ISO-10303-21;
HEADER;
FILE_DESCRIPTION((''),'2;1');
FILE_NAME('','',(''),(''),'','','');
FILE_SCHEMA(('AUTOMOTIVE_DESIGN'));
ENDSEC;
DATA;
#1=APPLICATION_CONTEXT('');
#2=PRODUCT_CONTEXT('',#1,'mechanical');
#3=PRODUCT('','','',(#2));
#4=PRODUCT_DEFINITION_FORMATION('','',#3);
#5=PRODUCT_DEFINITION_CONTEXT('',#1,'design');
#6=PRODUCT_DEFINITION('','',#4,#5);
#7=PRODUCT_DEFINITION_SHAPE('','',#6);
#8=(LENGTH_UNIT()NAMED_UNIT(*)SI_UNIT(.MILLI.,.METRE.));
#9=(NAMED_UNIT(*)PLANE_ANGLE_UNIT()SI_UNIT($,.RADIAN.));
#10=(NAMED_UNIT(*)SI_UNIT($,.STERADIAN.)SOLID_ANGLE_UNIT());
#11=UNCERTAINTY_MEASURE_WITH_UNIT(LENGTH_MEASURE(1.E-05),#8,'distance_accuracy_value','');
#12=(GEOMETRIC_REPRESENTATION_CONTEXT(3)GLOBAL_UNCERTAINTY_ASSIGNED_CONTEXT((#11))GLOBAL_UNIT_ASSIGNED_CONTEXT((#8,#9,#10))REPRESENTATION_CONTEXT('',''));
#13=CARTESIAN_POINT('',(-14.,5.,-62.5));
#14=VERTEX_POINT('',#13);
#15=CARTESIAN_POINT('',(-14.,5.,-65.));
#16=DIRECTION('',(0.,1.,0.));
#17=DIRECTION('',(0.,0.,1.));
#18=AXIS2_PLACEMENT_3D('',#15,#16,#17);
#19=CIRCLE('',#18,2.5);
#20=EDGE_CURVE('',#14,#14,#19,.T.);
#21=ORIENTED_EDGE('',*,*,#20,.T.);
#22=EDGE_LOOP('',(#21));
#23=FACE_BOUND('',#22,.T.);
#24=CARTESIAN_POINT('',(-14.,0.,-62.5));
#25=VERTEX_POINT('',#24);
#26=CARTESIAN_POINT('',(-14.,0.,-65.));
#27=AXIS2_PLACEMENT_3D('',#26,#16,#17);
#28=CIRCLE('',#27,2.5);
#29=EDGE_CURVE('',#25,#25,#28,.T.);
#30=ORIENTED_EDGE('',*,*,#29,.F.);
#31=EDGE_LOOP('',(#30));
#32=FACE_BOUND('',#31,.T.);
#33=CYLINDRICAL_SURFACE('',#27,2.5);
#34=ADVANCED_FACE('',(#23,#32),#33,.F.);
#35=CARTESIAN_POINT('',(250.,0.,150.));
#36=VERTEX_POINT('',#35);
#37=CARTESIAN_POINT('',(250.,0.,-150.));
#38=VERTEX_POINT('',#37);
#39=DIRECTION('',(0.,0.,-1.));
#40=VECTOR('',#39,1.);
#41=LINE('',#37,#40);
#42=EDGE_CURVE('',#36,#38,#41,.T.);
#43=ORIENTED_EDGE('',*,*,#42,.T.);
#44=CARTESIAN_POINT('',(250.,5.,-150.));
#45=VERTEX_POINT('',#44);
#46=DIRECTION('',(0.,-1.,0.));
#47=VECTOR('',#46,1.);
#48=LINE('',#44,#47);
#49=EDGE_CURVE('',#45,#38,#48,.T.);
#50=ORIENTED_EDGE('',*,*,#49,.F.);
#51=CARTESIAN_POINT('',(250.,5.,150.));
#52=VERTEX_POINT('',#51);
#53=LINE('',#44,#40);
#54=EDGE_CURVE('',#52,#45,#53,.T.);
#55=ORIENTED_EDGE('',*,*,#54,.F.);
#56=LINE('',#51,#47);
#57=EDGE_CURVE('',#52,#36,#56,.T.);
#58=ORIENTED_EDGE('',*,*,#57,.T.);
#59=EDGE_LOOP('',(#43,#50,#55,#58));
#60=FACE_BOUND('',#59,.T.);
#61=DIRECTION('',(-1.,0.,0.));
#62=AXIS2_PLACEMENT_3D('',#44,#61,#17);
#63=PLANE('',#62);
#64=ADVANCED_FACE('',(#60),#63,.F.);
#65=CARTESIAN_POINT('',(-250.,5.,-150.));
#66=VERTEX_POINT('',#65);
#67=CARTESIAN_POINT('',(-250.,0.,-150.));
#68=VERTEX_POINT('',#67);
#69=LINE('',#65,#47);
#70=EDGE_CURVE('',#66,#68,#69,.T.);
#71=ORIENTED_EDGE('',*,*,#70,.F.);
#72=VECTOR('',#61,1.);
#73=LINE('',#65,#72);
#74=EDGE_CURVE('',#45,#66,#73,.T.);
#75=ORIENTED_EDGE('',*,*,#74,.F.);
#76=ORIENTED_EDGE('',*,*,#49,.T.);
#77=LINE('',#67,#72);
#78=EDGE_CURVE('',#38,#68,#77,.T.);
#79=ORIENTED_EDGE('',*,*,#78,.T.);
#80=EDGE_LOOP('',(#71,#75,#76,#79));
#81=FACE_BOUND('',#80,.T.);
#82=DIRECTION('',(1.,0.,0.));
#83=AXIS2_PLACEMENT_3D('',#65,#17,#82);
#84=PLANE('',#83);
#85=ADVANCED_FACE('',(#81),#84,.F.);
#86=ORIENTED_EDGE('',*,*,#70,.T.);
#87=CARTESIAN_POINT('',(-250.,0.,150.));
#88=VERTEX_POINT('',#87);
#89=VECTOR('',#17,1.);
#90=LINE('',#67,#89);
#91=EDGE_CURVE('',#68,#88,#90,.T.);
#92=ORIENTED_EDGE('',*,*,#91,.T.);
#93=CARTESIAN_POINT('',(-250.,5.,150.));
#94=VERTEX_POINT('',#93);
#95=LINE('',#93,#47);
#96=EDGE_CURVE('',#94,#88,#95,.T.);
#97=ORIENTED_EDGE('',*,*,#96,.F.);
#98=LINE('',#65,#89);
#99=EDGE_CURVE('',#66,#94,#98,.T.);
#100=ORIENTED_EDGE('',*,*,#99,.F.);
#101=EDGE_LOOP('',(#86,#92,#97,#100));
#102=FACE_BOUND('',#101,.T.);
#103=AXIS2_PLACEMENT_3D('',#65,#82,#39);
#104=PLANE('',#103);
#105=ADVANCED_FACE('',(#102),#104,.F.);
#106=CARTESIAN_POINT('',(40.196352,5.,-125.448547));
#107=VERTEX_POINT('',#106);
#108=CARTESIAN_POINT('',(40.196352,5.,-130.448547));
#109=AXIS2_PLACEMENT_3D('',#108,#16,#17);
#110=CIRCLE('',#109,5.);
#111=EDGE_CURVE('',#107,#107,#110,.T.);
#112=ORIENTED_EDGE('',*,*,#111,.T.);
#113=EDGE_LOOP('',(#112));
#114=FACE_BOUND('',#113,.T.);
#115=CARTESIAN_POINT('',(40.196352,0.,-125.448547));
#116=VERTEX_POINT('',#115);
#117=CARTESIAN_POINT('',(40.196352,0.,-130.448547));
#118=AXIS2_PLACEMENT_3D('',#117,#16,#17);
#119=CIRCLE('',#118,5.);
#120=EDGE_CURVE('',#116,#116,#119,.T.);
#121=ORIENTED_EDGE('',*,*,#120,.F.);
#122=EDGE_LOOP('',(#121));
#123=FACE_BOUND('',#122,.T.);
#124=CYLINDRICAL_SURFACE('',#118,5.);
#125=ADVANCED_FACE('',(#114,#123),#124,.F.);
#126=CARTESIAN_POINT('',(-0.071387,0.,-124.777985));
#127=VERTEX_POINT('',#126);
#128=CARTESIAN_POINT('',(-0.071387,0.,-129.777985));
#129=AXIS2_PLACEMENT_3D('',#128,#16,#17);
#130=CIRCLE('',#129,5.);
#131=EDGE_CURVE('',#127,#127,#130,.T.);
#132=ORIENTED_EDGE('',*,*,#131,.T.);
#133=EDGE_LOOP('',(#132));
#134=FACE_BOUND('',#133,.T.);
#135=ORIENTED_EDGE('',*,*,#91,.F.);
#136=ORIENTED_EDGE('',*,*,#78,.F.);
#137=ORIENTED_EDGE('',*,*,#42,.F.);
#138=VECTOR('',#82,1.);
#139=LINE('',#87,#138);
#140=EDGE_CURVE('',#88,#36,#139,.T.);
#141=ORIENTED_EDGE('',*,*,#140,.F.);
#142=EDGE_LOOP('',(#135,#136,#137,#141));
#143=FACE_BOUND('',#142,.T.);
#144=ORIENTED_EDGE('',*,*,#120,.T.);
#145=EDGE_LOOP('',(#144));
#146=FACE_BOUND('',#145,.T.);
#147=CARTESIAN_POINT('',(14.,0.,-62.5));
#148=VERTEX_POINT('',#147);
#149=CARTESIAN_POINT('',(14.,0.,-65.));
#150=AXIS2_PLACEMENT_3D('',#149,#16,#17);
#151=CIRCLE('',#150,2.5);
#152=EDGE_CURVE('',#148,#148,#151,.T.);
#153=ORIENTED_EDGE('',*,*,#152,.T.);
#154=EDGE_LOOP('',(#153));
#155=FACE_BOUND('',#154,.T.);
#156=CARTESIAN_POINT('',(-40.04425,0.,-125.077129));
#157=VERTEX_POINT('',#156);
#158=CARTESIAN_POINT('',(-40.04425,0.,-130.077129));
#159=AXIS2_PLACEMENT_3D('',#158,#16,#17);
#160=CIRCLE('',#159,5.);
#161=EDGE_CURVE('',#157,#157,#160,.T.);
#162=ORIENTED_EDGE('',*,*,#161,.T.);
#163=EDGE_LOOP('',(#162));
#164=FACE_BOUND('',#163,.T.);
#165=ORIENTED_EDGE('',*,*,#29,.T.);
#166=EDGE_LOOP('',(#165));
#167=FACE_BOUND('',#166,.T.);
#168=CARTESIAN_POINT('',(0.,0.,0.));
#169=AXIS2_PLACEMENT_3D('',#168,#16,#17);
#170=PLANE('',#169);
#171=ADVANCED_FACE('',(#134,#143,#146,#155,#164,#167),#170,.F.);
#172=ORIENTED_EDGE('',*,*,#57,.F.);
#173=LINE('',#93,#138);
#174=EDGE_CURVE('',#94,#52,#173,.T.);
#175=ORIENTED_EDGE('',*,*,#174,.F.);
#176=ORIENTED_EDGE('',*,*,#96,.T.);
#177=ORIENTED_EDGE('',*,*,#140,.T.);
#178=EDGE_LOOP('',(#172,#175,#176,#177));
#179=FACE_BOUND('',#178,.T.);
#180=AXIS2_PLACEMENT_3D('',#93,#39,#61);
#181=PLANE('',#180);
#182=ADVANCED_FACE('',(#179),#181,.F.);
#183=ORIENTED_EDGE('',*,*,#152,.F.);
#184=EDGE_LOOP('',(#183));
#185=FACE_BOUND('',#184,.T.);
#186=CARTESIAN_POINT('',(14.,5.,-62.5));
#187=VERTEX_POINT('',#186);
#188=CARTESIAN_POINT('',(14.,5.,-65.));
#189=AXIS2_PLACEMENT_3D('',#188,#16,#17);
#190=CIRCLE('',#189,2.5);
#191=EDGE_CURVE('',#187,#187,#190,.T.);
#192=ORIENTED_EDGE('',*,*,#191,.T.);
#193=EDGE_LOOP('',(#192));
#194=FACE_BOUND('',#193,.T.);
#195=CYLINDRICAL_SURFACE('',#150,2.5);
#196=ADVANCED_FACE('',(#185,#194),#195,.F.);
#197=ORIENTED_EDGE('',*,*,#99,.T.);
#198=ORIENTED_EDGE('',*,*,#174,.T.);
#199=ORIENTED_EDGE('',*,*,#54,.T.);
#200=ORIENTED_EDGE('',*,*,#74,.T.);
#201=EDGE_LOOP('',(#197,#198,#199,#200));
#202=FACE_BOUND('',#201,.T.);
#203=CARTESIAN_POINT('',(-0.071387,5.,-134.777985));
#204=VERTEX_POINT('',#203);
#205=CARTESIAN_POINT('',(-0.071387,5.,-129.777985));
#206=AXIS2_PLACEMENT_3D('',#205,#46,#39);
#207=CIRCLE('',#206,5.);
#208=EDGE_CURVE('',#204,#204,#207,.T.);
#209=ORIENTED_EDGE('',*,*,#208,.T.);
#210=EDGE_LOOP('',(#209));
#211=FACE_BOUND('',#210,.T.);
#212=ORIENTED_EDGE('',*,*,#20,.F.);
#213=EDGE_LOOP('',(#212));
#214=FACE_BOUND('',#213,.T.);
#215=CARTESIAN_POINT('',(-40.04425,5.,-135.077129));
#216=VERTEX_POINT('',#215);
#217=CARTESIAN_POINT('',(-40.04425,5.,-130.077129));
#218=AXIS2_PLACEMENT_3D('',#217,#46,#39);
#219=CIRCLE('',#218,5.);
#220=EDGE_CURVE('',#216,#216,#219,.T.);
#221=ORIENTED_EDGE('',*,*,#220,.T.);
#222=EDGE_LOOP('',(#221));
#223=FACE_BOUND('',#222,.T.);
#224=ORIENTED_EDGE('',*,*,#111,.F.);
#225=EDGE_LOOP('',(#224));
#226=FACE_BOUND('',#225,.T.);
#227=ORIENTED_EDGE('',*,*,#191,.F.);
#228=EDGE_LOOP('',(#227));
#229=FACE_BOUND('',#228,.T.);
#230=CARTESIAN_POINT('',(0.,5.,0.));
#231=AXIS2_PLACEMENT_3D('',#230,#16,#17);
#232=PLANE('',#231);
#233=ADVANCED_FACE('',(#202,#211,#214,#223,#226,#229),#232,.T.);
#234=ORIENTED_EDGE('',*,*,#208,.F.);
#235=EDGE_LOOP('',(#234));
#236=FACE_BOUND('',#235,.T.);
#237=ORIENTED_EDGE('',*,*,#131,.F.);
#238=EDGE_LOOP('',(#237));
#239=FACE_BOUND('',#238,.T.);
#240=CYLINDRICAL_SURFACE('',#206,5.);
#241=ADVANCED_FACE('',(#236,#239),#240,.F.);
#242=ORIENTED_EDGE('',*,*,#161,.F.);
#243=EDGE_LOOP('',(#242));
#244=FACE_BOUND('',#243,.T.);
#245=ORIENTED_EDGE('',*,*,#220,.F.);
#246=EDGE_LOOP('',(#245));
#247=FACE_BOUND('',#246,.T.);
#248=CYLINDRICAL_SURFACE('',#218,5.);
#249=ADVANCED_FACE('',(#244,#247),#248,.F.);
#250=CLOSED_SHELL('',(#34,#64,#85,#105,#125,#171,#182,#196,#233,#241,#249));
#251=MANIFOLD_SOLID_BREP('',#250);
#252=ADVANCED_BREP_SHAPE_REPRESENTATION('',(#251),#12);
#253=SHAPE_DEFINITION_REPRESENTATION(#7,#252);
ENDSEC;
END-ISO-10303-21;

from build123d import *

# Parameters (mm, degrees)
SKETCH2_W               = 500
SKETCH2_H               = 300
BOSS_EXTRUDE1_DEPTH     = 5
CUT_EXTRUDE1_DEPTH      = 292.590466236
CUT_EXTRUDE1_DEPTH_BACK = 292.590466236
SKETCH3_R               = 5
CUT_EXTRUDE2_DEPTH      = 292.590466236
CUT_EXTRUDE2_DEPTH_BACK = 292.590466236
SKETCH4_R               = 5
SKETCH5_R               = 2.5
CUT_EXTRUDE3_DEPTH      = 292.590466236


with BuildPart() as part:
    # Sketch2 → Boss-Extrude1 (new body)
    with BuildSketch(Plane(origin=(0, 0, 0), x_dir=(1, 0, 0), z_dir=(0, 1, 0))):
        Rectangle(SKETCH2_W, SKETCH2_H)
    extrude(amount=BOSS_EXTRUDE1_DEPTH)

    # Sketch3 → Cut-Extrude1 (cut, two sides: drawn at the far end of the back side and taken through both)
    with BuildSketch(Plane.XZ.offset(-CUT_EXTRUDE1_DEPTH_BACK)):
        with Locations(Location((-40.044249933, -130.077128907, 0), (0, 0, 270))):
            Circle(SKETCH3_R)
        with Locations(Location((-0.071386653, -129.777985414, 0), (0, 0, 270))):
            Circle(SKETCH3_R)
    extrude(amount=CUT_EXTRUDE1_DEPTH + CUT_EXTRUDE1_DEPTH_BACK, mode=Mode.SUBTRACT)

    # Sketch4 → Cut-Extrude2 (cut, two sides: drawn at the far end of the back side and taken through both)
    with BuildSketch(Plane(origin=(0, 5, 0), x_dir=(1, 0, 0), z_dir=(0, 1, 0)).offset(-CUT_EXTRUDE2_DEPTH_BACK)):
        with Locations(Location((40.196351758, 130.448547008, 0), (0, 0, 270))):
            Circle(SKETCH4_R)
    extrude(amount=CUT_EXTRUDE2_DEPTH + CUT_EXTRUDE2_DEPTH_BACK, mode=Mode.SUBTRACT)

    # Sketch5 → Cut-Extrude3 (cut, through all)
    with BuildSketch(Plane(origin=(0, 5, 0), x_dir=(1, 0, 0), z_dir=(0, 1, 0))):
        with Locations(Location((14, 65, 0), (0, 0, 270))):
            Circle(SKETCH5_R)
        with Locations(Location((-14, 65, 0), (0, 0, 270))):
            Circle(SKETCH5_R)
    extrude(amount=-CUT_EXTRUDE3_DEPTH, mode=Mode.SUBTRACT)


solid = part.part
